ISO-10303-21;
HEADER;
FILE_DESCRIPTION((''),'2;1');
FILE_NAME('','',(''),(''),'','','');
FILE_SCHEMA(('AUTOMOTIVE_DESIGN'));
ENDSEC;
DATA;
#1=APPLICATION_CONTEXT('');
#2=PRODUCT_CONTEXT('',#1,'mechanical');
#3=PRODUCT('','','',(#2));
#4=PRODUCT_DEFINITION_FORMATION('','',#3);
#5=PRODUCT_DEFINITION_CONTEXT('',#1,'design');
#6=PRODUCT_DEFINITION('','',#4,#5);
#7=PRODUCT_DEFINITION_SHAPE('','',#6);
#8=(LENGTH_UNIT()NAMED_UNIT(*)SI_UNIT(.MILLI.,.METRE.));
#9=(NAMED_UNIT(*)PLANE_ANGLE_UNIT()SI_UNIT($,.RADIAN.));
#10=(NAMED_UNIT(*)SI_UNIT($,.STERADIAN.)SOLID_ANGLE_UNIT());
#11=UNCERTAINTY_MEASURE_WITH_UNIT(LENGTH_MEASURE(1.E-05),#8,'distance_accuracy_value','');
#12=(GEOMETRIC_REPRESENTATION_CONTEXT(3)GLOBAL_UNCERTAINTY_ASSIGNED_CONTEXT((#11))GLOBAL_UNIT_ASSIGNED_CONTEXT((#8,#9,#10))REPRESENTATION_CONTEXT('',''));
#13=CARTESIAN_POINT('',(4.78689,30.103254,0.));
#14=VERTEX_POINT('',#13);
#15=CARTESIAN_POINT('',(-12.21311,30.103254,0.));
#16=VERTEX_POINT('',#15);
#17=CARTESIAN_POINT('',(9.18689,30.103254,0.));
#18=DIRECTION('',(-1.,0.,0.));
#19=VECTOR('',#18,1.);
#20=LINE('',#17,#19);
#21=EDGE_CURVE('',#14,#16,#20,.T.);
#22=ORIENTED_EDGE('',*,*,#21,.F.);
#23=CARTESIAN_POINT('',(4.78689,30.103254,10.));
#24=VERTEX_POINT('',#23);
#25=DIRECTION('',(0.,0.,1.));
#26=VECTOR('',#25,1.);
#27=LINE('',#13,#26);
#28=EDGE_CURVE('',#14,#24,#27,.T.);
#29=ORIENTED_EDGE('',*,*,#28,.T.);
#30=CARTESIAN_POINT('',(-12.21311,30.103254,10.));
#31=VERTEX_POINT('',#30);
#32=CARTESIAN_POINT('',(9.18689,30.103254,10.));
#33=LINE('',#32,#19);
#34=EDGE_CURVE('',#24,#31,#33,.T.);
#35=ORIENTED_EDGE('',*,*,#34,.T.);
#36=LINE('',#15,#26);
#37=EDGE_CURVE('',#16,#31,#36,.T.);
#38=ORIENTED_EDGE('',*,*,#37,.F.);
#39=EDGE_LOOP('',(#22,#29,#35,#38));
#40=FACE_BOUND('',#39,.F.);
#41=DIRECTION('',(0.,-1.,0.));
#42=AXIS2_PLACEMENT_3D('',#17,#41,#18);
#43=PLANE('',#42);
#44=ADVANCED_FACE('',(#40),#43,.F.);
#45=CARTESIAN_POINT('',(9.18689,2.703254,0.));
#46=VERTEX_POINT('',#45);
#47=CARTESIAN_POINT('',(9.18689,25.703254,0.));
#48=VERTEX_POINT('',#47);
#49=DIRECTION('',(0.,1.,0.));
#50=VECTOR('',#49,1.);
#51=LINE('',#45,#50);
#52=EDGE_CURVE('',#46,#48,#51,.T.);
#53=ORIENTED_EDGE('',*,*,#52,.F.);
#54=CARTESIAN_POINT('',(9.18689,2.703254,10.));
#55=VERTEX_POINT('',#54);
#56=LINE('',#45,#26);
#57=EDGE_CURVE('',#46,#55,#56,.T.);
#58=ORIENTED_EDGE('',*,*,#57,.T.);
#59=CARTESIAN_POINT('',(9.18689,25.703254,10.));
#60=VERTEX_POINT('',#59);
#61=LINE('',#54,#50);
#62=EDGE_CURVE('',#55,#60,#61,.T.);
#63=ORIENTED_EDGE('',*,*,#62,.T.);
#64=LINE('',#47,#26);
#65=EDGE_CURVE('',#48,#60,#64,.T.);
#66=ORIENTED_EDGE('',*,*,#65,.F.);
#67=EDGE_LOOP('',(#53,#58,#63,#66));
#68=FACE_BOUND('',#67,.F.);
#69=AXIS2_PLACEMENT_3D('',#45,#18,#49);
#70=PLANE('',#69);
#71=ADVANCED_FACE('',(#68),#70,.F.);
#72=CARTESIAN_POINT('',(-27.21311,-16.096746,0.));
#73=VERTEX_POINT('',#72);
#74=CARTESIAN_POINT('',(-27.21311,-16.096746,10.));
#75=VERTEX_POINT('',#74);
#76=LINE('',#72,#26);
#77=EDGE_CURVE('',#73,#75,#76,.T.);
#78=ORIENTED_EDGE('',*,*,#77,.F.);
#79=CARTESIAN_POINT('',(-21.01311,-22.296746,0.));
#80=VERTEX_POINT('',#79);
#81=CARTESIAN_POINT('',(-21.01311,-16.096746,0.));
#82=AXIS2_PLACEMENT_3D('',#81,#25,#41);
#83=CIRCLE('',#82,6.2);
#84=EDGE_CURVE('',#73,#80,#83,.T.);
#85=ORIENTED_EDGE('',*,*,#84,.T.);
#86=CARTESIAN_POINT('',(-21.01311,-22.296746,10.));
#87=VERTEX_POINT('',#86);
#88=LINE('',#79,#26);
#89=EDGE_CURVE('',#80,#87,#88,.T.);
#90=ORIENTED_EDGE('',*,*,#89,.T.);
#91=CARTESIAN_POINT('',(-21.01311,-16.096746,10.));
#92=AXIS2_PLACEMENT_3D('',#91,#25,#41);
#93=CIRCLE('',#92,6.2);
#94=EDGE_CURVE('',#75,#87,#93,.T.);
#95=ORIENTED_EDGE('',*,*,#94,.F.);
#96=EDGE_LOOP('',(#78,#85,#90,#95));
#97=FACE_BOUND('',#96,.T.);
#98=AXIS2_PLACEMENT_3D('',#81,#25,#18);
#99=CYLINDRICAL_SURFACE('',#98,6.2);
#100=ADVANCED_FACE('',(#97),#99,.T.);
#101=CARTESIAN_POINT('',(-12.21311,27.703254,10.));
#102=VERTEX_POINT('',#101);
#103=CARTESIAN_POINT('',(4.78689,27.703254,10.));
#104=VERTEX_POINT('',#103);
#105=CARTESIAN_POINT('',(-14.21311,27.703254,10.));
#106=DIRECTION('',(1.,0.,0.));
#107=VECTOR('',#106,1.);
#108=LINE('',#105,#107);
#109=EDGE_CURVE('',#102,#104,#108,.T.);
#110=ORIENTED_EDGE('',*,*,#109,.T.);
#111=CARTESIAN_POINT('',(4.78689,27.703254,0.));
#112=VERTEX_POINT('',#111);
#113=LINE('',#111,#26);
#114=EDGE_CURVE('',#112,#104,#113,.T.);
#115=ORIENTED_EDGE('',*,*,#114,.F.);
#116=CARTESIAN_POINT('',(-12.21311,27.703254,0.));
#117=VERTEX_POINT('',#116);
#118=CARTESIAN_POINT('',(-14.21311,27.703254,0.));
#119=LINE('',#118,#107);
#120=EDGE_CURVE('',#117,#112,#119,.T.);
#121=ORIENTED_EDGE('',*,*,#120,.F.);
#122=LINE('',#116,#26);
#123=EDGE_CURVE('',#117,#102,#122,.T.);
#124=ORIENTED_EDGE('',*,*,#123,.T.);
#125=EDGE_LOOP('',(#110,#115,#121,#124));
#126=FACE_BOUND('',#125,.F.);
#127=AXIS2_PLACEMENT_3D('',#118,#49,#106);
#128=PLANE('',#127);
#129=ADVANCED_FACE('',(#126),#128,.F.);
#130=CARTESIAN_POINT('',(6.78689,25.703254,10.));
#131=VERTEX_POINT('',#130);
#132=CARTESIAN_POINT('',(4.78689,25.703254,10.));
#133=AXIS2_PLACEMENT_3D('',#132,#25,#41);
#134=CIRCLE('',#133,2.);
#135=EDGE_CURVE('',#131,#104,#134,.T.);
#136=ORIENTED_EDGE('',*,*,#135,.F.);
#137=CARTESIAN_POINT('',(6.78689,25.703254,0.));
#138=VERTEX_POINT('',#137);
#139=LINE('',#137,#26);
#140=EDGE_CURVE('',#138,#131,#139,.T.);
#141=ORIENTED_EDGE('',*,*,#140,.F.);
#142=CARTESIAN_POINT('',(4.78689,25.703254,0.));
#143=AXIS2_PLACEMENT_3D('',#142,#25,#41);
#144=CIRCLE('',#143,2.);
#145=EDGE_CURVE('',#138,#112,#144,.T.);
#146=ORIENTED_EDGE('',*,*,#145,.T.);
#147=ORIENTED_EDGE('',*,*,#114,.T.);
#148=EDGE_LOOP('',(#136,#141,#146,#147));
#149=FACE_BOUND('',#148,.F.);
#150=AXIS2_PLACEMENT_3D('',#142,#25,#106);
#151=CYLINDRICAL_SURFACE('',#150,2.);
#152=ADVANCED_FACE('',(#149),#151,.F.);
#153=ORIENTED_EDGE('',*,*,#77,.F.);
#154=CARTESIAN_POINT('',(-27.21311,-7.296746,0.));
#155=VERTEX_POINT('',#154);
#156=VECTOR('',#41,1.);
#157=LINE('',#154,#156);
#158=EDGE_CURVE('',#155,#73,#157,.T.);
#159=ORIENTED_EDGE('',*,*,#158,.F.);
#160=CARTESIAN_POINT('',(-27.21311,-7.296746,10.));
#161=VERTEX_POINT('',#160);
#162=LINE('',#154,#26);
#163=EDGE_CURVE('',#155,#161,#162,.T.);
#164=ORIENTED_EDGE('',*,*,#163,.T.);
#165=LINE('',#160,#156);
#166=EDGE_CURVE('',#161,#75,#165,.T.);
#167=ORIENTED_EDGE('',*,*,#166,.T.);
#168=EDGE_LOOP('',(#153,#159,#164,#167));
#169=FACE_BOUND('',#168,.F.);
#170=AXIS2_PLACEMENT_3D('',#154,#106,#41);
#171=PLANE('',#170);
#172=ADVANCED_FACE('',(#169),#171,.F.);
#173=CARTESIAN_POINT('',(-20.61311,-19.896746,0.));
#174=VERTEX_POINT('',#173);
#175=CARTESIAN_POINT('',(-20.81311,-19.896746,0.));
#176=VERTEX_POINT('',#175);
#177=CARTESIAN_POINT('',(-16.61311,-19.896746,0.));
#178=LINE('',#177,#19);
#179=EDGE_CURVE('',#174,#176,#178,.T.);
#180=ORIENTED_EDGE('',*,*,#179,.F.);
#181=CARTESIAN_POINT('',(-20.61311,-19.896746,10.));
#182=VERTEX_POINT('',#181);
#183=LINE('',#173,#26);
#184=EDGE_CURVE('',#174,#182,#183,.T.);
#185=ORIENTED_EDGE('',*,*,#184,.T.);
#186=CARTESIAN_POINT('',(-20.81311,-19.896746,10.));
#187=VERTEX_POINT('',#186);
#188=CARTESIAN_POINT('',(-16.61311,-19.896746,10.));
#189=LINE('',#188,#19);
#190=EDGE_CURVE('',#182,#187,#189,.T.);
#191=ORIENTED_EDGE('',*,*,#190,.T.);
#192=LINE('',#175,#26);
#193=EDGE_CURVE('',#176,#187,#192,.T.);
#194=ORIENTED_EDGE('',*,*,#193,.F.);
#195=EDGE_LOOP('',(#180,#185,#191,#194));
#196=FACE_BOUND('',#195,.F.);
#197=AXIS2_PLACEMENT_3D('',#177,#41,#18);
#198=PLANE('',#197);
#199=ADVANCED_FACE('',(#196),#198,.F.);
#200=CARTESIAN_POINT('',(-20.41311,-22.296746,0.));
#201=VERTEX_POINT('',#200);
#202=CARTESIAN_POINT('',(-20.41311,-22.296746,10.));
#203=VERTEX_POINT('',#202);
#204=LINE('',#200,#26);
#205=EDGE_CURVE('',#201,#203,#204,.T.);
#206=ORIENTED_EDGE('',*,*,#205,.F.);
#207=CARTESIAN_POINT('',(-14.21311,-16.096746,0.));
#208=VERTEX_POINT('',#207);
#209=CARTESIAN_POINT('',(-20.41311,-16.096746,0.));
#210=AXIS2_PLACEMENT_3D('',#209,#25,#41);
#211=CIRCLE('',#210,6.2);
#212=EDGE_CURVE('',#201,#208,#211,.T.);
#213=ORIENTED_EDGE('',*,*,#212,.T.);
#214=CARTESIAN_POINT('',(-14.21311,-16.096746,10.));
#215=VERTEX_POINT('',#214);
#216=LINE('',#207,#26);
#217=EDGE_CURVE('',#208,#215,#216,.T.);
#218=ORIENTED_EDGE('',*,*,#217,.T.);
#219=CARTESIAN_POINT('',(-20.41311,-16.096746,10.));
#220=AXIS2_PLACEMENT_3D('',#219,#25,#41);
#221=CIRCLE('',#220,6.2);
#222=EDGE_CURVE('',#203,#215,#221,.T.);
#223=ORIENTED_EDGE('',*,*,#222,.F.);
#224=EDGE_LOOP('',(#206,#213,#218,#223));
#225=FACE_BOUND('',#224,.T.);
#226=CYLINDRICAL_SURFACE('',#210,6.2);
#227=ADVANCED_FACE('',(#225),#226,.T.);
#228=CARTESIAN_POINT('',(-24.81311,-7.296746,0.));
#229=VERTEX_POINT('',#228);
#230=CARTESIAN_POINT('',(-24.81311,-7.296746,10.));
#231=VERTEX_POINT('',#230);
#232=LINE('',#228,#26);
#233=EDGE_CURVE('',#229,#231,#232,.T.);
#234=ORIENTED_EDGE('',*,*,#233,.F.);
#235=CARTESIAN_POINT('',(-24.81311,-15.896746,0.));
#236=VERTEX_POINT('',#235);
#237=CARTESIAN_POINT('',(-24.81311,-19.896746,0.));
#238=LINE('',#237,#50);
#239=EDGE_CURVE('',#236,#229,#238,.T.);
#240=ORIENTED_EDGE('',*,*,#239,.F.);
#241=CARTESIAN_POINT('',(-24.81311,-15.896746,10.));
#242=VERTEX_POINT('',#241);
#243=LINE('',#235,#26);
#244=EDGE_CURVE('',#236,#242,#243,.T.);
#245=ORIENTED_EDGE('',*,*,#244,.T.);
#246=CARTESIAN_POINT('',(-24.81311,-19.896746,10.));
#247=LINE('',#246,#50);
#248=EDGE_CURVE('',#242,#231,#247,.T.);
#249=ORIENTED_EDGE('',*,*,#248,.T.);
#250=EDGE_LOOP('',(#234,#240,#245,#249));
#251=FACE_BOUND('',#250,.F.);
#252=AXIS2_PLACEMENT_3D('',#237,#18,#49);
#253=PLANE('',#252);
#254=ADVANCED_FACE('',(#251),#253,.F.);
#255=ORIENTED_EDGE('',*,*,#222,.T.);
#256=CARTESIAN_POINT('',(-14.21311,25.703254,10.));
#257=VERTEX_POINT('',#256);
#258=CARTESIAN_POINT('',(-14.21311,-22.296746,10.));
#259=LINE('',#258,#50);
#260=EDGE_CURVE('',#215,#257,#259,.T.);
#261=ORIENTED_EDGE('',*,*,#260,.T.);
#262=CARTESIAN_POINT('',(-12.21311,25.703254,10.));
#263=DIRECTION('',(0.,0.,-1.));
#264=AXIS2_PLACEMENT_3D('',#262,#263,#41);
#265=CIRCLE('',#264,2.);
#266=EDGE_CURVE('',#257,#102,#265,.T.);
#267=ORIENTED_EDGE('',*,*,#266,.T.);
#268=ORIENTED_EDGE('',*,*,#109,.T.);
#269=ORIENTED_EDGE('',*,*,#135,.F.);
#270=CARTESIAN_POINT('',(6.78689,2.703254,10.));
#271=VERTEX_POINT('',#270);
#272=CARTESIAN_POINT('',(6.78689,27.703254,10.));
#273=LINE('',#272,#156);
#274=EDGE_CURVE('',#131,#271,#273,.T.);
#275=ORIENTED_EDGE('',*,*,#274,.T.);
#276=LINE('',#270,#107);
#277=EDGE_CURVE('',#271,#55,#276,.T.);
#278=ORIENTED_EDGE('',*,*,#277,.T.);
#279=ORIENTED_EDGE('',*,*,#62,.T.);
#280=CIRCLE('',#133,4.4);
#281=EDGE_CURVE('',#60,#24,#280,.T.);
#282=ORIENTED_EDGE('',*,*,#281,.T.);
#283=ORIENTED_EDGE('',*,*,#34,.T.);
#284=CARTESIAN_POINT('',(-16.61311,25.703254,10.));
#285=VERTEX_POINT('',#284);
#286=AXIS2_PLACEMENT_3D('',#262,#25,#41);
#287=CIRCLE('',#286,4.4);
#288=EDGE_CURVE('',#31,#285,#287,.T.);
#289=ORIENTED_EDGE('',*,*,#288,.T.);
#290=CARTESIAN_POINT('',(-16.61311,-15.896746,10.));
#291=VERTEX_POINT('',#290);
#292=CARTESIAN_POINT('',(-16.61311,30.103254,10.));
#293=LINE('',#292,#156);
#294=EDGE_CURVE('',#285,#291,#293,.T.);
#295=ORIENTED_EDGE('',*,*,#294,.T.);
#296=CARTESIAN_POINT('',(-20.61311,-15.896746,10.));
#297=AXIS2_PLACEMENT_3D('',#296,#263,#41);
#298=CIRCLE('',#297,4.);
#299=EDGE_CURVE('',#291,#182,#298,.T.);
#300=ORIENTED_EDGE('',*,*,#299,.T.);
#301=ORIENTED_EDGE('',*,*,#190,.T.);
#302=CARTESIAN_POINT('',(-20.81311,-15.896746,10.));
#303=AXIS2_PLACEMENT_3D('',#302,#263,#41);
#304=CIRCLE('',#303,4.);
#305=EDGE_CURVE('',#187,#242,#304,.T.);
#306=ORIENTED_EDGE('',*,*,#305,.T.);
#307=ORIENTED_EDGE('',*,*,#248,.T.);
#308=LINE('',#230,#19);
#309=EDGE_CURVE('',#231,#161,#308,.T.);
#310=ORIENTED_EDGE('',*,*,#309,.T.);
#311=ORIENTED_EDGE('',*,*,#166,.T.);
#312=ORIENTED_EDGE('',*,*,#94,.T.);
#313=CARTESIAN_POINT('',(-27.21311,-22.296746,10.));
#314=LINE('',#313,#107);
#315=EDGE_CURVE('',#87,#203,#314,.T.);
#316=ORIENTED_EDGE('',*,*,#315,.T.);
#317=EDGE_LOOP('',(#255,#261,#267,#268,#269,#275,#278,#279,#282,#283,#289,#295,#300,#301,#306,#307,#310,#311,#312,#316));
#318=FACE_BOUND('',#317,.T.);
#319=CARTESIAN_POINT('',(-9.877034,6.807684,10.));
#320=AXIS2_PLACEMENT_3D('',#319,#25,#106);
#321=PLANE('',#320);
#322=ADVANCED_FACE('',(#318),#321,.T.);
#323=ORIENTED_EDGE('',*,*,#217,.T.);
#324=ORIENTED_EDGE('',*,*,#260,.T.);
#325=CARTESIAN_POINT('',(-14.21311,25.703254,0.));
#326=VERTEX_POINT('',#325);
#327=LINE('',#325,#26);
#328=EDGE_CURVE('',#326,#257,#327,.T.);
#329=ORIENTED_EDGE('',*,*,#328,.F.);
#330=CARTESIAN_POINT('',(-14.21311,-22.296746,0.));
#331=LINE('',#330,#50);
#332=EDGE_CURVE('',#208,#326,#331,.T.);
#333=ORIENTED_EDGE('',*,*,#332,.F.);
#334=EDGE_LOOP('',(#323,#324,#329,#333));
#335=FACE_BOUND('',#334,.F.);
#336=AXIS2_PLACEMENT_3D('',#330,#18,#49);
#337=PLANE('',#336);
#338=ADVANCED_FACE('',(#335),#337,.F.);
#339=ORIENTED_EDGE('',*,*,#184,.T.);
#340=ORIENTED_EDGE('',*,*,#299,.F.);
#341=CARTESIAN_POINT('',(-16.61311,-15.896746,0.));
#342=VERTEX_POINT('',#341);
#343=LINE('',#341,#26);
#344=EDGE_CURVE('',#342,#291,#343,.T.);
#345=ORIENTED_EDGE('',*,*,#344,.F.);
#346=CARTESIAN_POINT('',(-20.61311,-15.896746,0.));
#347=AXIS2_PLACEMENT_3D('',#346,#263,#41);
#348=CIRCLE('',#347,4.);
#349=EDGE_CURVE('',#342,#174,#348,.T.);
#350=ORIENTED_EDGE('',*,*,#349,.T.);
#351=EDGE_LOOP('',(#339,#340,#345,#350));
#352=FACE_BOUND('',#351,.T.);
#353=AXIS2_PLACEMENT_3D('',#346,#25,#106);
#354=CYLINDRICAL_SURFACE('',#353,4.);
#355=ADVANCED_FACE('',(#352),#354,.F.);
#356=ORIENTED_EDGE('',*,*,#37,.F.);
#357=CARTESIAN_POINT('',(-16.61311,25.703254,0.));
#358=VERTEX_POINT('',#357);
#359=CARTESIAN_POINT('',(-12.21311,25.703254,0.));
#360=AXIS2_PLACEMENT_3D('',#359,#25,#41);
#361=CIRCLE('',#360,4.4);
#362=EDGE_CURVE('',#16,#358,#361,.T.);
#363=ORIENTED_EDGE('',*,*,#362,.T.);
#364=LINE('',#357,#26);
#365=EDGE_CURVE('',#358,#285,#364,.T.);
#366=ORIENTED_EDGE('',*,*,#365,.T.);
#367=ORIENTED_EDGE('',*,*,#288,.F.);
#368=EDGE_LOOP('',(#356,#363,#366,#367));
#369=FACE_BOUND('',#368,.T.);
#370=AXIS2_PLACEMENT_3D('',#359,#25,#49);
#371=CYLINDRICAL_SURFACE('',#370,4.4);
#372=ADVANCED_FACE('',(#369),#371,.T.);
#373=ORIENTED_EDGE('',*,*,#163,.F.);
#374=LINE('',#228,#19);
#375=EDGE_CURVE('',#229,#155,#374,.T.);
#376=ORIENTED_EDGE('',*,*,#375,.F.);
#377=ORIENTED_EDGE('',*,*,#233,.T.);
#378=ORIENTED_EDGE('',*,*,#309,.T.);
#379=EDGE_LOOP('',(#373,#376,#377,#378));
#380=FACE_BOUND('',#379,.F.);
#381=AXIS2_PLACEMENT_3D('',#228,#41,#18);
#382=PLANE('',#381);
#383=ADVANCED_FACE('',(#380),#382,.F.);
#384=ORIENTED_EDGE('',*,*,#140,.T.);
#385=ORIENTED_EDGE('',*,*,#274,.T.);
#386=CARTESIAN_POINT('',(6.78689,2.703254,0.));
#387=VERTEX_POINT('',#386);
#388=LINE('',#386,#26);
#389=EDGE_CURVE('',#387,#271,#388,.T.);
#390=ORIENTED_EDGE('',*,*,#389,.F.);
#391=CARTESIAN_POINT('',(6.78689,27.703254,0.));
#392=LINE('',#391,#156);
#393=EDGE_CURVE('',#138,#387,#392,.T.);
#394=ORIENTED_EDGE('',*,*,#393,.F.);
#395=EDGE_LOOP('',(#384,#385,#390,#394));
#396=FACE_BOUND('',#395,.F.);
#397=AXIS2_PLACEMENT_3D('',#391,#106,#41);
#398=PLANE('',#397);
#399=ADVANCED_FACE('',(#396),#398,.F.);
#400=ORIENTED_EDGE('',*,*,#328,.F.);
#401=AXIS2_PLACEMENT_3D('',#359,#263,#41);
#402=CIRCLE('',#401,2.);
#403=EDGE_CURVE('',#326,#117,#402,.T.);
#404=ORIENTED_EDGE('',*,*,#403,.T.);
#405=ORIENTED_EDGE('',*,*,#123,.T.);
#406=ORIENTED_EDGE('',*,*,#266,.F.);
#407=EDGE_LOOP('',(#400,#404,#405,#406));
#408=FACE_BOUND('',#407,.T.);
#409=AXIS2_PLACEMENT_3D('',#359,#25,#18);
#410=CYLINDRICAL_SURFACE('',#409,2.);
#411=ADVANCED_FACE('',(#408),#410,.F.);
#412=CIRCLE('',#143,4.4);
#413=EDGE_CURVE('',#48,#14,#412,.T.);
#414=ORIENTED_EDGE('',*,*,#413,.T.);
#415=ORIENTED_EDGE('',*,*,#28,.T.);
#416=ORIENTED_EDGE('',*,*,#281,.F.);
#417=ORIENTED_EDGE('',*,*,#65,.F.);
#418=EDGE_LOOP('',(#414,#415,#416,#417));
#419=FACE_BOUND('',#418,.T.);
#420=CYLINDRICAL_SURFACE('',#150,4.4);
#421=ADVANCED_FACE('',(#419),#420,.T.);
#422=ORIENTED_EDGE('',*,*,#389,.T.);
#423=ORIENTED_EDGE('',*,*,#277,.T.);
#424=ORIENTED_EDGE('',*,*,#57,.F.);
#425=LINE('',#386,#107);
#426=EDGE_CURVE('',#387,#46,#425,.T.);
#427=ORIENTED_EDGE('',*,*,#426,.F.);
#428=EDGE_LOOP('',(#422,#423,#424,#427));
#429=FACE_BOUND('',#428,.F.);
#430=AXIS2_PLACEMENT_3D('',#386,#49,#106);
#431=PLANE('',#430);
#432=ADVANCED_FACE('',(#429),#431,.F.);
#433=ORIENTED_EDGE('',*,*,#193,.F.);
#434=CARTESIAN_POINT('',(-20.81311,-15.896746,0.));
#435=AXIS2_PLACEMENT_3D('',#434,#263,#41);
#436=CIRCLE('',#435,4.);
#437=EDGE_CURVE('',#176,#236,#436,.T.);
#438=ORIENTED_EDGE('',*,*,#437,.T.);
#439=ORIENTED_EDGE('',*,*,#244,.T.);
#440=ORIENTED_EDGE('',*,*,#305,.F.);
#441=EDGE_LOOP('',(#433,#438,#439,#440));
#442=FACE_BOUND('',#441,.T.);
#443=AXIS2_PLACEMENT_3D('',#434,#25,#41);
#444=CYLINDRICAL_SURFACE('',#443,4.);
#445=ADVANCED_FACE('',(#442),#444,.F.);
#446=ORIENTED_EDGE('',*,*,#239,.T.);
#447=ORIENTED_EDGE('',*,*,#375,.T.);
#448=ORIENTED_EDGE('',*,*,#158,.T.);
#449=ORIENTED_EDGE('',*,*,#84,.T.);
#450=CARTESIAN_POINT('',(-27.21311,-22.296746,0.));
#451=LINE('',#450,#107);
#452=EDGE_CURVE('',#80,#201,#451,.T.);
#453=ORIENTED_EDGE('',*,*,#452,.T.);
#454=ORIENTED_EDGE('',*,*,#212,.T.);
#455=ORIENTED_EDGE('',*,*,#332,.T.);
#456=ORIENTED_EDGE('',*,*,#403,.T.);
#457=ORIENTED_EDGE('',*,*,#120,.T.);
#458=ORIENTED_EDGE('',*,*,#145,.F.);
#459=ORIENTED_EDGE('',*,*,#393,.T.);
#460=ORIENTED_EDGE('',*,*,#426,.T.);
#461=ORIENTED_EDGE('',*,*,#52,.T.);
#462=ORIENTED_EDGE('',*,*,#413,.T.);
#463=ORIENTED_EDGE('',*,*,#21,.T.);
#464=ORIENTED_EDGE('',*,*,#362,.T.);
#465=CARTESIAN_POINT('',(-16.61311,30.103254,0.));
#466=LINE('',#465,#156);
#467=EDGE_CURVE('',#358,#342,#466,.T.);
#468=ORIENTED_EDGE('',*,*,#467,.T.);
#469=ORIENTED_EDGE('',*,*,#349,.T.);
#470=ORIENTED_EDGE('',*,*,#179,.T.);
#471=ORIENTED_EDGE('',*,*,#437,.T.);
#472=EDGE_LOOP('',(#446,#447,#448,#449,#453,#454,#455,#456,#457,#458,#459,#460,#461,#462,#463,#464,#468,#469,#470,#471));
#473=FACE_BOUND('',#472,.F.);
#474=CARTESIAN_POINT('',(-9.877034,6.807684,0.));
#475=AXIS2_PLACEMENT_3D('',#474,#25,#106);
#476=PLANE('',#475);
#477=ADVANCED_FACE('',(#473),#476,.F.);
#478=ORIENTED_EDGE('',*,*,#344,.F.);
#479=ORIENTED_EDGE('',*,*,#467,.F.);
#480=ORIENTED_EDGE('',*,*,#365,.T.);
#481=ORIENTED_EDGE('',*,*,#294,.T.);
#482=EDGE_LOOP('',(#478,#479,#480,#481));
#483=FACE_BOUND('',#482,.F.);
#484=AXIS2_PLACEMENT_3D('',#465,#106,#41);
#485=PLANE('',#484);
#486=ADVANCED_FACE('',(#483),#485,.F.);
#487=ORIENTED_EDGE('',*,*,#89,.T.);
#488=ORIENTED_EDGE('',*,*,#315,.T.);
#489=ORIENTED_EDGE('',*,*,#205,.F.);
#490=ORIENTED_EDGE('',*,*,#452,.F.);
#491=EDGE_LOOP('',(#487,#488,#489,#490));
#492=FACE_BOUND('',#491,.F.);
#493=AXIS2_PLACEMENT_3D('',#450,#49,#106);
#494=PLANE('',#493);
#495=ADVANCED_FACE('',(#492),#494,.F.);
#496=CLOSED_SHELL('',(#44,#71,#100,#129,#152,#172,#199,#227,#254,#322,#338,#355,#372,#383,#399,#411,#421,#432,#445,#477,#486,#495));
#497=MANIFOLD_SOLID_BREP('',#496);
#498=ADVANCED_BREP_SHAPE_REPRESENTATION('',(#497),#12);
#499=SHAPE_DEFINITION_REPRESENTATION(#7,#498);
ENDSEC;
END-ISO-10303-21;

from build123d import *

# Parameters (mm, degrees)
F1_DEPTH = 10
F2_R     = 2
F3_R     = 4.4
F4_R     = 4
F5_R     = 6.2


with BuildPart() as f1:
    # F0 (on Top) → F1 (new body)
    with BuildSketch(Plane.XY):
        Polygon((6.78689, 27.703254), (6.78689, 2.703254), (9.18689, 2.703254), (9.18689, 30.103254), (-16.61311, 30.103254), (-16.61311, -19.896746), (-24.81311, -19.896746), (-24.81311, -7.296746), (-27.21311, -7.296746), (-27.21311, -22.296746), (-14.21311, -22.296746), (-14.21311, 27.703254), align=None)
    extrude(amount=F1_DEPTH)

    # F2
    f2_edges = [f1.edges().sort_by_distance(p)[0] for p in [
        (-14.21311, 27.703254, 5),
        (6.78689, 27.703254, 5),
    ]]
    fillet(f2_edges, radius=F2_R)

    # F3
    f3_edges = [f1.edges().sort_by_distance(p)[0] for p in [
        (-16.61311, 30.103254, 5),
        (9.18689, 30.103254, 5),
    ]]
    fillet(f3_edges, radius=F3_R)

    # F4
    f4_edges = [f1.edges().sort_by_distance(p)[0] for p in [
        (-24.81311, -19.896746, 5),
        (-16.61311, -19.896746, 5),
    ]]
    fillet(f4_edges, radius=F4_R)

    # F5
    f5_edges = [f1.edges().sort_by_distance(p)[0] for p in [
        (-27.21311, -22.296746, 5),
        (-14.21311, -22.296746, 5),
    ]]
    fillet(f5_edges, radius=F5_R)


solid = f1.part
